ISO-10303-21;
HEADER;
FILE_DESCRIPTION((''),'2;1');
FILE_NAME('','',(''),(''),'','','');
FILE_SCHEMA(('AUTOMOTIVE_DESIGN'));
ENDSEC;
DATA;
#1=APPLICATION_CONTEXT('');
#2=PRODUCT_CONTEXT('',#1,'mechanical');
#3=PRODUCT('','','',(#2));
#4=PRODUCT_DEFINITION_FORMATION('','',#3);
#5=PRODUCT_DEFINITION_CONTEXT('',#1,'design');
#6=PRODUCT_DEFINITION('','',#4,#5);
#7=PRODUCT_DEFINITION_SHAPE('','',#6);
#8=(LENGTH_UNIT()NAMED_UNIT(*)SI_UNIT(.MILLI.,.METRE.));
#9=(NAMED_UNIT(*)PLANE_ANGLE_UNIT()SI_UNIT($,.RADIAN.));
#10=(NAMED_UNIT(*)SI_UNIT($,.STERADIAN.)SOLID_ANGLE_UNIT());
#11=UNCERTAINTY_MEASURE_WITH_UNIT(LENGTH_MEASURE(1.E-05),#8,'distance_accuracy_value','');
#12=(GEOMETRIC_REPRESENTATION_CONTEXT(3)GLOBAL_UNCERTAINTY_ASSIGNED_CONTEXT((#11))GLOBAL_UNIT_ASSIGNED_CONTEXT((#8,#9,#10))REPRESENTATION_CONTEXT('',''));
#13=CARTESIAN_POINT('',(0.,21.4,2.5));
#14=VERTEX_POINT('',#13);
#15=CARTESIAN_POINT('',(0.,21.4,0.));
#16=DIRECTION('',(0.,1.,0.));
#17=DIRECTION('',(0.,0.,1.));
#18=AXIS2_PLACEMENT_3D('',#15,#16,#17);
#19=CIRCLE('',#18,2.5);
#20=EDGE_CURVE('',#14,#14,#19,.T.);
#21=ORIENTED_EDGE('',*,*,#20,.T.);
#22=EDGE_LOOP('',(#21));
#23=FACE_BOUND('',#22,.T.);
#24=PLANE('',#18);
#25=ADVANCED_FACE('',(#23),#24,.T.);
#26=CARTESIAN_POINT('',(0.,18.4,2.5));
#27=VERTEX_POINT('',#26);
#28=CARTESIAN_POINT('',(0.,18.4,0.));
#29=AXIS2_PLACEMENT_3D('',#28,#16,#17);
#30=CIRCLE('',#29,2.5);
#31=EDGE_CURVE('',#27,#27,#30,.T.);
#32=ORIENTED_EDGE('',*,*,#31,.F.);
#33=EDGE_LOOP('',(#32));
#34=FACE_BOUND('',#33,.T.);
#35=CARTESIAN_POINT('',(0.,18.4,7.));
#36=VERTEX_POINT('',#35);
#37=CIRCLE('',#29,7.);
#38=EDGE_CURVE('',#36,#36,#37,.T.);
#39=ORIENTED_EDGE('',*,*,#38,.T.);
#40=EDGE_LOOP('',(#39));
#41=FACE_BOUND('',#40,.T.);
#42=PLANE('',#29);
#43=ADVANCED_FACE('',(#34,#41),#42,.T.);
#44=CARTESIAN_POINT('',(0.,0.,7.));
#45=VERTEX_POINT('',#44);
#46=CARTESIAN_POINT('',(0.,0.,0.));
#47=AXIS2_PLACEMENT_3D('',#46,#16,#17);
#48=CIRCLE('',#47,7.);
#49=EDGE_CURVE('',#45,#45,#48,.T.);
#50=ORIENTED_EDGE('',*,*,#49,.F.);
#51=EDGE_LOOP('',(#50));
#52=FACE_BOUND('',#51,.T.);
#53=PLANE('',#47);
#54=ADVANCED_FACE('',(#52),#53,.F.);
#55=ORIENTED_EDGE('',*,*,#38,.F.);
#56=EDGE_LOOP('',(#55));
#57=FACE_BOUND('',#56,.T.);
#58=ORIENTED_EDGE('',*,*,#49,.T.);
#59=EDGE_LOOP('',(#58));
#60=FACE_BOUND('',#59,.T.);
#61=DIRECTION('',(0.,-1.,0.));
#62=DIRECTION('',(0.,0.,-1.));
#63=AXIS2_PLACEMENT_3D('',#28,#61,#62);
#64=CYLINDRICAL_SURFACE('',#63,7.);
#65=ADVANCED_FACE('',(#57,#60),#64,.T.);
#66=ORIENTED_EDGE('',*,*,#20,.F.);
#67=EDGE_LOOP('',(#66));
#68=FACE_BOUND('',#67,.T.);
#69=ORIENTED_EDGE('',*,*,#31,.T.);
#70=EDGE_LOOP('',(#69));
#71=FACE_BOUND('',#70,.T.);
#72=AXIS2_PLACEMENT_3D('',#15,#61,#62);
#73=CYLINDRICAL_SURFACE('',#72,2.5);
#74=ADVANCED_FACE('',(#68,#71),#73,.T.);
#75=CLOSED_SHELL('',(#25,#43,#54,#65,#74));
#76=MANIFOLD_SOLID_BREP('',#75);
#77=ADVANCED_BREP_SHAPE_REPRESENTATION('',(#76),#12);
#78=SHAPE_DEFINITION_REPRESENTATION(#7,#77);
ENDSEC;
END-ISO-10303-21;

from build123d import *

# Parameters (mm, degrees)
SKETCH_1_R      = 7
EXTRUDE_1_DEPTH = 18.4
SKETCH_2_R      = 2.5
EXTRUDE_2_DEPTH = 3


with BuildPart() as part:
    # 草图1 → 凸台-拉伸1 (new body)
    with BuildSketch(Plane(origin=(0, 0, 0), x_dir=(1, 0, 0), z_dir=(0, 1, 0))):
        with Locations(Location((0, 0, 0), (0, 0, 270))):
            Circle(SKETCH_1_R)
    extrude(amount=EXTRUDE_1_DEPTH)

    # 草图2 → 凸台-拉伸2 (add)
    with BuildSketch(Plane(origin=(0, 18.4, 0), x_dir=(1, 0, 0), z_dir=(0, 1, 0))):
        with Locations(Location((0, 0, 0), (0, 0, 270))):
            Circle(SKETCH_2_R)
    extrude(amount=EXTRUDE_2_DEPTH)


solid = part.part
